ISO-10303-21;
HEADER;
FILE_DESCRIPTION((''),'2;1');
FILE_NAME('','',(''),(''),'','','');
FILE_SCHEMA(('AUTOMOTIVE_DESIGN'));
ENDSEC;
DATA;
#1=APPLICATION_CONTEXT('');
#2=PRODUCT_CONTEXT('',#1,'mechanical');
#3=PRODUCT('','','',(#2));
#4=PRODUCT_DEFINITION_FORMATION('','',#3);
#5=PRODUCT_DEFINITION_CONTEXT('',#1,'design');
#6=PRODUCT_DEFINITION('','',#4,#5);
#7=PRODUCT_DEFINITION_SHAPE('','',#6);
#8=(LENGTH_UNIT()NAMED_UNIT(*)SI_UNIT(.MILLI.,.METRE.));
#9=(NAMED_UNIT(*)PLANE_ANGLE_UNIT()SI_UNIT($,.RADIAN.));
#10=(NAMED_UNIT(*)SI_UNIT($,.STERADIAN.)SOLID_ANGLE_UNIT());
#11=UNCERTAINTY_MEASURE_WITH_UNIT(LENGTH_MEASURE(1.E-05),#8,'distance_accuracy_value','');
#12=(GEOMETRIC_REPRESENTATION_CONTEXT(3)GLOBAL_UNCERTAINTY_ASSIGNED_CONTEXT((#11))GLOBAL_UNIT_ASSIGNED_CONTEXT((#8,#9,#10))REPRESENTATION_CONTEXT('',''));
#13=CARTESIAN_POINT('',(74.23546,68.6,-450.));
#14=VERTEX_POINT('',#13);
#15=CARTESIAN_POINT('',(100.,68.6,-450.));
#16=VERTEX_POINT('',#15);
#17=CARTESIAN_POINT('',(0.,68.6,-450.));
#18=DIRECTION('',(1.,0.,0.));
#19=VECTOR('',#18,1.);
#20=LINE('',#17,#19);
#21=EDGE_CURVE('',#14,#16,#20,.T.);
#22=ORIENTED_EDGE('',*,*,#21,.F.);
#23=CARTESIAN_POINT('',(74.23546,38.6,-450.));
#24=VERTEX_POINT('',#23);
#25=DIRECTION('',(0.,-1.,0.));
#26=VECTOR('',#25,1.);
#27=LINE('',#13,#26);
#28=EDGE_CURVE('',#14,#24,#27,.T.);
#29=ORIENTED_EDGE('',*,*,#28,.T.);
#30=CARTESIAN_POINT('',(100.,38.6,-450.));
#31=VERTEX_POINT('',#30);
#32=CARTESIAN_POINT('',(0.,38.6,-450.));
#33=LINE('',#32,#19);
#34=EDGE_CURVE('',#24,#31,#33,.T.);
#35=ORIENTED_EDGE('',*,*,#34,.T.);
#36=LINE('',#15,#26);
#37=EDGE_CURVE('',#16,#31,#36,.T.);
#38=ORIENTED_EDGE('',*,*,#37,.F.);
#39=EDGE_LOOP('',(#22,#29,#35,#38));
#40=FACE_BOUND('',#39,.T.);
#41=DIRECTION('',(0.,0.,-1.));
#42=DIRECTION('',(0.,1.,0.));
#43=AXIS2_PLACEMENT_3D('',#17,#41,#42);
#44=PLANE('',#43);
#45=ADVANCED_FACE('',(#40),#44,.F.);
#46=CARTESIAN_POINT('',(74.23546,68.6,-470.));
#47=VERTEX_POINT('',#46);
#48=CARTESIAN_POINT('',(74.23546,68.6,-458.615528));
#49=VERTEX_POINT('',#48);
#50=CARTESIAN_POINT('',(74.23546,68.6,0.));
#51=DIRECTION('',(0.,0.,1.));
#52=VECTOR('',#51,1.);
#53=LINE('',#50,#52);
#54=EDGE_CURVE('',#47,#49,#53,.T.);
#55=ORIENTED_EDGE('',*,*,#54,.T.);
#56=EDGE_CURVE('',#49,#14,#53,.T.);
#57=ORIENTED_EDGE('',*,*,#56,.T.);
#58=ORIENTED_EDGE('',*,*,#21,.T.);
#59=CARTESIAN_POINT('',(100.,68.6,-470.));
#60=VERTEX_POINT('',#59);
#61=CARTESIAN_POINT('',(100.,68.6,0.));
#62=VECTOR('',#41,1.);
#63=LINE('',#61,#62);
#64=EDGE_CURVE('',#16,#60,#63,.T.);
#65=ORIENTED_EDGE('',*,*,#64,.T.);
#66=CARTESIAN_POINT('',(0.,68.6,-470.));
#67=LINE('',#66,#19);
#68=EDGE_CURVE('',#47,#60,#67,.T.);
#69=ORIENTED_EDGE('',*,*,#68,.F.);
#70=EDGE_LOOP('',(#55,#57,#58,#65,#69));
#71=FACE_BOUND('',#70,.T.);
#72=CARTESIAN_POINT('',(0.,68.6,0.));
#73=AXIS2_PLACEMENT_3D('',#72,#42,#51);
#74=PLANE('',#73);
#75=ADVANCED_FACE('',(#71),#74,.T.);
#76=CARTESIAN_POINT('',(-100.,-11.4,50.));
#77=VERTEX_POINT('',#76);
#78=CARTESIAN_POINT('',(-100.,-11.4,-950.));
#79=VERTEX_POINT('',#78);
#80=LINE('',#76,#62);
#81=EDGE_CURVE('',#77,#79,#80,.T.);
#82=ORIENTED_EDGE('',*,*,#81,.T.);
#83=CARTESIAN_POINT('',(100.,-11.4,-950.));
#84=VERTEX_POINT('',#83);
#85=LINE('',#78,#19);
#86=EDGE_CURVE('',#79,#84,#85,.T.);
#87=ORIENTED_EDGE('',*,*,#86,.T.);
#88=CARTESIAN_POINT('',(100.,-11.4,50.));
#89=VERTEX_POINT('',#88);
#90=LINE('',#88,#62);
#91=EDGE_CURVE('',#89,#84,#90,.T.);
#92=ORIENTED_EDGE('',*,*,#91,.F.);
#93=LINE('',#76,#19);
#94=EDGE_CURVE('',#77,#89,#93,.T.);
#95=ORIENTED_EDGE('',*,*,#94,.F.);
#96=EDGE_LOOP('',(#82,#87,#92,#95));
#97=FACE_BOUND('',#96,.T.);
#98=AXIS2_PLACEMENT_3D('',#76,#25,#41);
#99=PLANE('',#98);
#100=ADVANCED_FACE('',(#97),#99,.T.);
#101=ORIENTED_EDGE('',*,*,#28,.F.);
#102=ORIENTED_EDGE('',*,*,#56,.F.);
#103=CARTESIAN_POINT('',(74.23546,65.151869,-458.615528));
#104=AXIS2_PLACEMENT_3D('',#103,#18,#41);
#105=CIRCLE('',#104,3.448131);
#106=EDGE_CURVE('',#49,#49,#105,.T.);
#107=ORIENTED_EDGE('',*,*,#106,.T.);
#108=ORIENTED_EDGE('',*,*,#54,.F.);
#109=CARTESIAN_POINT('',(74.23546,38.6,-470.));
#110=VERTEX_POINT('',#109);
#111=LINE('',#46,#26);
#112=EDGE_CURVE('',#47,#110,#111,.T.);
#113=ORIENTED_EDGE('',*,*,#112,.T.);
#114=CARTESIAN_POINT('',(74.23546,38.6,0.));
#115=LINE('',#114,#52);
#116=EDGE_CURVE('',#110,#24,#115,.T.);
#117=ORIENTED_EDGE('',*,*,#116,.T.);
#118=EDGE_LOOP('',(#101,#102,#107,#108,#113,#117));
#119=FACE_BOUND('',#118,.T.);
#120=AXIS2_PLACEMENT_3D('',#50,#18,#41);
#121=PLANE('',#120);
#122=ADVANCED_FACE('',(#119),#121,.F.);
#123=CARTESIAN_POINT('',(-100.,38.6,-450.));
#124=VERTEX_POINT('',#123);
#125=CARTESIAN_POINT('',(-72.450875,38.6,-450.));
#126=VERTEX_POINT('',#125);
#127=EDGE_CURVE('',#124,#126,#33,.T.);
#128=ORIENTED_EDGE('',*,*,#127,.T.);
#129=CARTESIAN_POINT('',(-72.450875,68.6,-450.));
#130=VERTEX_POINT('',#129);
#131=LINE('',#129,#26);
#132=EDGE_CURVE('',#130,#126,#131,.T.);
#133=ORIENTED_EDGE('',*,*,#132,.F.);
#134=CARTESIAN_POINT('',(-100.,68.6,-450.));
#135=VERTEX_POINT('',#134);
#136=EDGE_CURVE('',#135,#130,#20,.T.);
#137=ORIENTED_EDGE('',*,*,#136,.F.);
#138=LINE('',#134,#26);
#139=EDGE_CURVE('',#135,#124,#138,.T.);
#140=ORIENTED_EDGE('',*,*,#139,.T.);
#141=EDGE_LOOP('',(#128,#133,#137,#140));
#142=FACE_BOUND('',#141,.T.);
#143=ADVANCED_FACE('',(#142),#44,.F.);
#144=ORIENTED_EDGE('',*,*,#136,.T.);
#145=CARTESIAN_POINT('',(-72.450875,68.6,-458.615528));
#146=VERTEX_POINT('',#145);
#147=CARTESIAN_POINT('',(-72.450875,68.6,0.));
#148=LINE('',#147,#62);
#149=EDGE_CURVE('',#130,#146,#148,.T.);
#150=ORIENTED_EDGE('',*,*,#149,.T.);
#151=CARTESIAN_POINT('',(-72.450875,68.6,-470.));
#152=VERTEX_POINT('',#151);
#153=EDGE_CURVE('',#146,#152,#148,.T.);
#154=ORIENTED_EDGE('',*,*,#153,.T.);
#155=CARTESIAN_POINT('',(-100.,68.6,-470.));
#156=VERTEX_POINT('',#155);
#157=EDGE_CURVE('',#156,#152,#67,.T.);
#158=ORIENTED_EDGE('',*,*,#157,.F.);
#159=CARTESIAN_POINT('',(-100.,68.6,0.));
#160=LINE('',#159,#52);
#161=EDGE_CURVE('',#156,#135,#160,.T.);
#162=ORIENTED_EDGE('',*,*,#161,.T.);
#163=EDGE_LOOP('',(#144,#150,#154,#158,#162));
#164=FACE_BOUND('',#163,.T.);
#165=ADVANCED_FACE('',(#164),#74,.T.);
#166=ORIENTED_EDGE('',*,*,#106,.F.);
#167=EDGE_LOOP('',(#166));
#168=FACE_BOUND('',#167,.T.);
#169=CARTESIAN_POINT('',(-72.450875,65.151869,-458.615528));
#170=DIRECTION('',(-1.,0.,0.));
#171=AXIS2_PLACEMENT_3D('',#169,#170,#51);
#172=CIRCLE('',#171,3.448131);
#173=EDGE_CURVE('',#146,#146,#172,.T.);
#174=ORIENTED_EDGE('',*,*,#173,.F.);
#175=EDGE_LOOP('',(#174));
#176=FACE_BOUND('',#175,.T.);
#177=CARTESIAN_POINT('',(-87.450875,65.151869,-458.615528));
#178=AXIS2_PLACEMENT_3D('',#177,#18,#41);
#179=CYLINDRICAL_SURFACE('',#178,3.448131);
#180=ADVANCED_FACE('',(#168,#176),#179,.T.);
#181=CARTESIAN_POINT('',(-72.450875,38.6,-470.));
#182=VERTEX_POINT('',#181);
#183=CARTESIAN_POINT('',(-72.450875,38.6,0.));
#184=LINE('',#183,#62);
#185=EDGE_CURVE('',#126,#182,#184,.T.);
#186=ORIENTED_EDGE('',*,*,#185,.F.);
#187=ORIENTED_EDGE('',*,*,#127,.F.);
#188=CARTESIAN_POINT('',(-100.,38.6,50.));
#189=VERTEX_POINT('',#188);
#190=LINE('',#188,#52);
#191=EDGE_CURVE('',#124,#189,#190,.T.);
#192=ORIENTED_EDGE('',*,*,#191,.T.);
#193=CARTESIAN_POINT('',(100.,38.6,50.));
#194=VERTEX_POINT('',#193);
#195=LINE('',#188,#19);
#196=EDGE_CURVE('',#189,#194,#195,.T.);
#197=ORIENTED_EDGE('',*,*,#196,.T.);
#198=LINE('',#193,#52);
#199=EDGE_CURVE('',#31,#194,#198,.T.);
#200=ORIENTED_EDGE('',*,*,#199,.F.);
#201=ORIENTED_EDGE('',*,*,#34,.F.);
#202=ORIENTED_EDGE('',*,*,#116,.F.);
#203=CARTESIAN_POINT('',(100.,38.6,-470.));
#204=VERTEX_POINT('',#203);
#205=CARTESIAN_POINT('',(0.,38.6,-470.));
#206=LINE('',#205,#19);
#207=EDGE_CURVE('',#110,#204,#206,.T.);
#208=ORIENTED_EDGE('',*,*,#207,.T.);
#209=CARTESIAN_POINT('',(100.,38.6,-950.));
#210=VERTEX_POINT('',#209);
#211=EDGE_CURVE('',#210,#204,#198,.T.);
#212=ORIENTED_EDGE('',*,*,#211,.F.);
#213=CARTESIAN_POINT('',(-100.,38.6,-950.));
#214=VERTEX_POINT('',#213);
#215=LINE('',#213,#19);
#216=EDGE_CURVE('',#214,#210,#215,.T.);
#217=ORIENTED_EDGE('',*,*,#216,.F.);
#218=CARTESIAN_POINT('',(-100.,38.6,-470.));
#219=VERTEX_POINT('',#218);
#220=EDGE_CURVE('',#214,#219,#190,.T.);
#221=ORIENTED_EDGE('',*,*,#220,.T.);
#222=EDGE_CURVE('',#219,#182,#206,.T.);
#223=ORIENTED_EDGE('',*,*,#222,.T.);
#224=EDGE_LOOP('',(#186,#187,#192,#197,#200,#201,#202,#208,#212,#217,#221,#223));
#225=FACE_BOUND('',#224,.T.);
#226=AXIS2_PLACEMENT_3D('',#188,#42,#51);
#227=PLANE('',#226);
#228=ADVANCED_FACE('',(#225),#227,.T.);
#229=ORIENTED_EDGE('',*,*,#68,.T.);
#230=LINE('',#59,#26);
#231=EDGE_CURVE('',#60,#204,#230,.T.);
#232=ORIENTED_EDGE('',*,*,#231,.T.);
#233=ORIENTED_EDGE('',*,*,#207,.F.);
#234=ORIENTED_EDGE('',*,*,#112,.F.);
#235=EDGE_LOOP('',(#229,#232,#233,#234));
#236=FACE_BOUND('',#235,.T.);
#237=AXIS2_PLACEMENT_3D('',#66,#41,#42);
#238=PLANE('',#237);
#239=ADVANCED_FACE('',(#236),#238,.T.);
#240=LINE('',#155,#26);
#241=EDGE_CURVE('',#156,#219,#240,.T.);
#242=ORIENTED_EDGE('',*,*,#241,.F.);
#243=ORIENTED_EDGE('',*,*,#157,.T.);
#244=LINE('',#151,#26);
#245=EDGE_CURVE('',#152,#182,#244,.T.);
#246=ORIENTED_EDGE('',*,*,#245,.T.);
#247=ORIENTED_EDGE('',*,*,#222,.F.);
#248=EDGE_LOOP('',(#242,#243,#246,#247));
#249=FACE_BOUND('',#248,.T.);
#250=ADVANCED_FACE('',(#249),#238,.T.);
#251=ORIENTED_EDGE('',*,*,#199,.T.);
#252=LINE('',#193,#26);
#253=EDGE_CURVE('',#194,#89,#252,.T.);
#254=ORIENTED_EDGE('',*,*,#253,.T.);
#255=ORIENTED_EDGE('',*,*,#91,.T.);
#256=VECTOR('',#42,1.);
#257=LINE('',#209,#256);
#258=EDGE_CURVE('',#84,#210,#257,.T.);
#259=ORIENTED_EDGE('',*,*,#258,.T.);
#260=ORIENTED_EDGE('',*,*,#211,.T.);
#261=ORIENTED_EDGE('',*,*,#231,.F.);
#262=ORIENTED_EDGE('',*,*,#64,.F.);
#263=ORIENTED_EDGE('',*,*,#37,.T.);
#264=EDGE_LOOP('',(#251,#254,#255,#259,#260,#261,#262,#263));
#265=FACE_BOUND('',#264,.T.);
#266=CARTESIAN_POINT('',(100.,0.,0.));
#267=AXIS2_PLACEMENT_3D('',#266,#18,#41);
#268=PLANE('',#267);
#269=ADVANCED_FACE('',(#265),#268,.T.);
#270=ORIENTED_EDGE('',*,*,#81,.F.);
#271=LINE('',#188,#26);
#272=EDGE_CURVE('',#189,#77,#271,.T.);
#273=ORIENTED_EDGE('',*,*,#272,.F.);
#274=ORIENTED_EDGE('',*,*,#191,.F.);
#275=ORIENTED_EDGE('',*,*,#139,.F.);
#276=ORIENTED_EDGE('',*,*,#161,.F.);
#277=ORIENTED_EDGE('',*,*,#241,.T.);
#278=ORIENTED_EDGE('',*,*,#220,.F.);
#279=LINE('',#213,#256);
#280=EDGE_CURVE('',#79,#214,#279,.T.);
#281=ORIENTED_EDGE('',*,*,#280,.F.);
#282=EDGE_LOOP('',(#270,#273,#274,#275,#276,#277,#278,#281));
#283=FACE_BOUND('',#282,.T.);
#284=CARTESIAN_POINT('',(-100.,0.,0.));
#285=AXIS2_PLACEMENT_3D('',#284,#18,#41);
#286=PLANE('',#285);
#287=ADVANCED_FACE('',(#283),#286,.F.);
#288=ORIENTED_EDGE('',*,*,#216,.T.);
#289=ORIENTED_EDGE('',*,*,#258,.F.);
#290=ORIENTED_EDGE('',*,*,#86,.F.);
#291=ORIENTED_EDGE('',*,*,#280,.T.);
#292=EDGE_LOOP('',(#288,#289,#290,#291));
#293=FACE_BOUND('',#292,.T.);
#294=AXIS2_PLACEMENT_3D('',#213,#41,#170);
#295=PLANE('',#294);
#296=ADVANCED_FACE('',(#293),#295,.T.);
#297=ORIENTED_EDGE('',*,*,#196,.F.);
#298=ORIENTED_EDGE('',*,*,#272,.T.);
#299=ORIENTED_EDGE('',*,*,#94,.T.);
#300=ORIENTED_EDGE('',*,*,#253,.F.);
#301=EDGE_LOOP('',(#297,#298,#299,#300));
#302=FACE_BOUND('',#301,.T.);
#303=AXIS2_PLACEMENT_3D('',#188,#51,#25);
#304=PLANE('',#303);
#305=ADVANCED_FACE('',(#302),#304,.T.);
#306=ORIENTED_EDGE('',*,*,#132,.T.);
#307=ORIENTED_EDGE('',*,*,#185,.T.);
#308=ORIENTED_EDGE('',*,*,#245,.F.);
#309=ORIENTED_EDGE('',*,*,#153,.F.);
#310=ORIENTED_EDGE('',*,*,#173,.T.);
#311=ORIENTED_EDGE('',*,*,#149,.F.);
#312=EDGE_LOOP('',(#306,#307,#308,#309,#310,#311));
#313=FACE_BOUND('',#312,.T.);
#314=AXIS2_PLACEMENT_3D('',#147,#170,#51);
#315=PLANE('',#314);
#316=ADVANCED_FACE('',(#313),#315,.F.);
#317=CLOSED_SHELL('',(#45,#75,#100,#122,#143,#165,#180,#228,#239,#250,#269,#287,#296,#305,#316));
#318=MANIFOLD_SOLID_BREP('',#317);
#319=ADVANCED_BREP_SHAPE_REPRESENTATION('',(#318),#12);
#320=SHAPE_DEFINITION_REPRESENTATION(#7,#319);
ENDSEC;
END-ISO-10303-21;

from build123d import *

# Parameters (mm, degrees)
BOSS_EXTRU_2_DEPTH      = 100
BOSS_EXTRU_2_DEPTH_BACK = 100
ESQUISSE3_W             = 1000
ESQUISSE3_H             = 50
ESQUISSE4_W             = 27.549124878
ESQUISSE4_H             = 20
ESQUISSE4_W_2           = 25.7645404
BOSS_EXTRU_4_DEPTH      = 30
BOSS_EXTRU_5_DEPTH      = 157
BOSS_EXTRU_5_DEPTH_BACK = 15
ESQUISSE7_R             = 3.448131388


with BuildPart() as part:
    # Esquisse3 → Boss.-Extru.2 (new, two sides: drawn at the far end of the back side and taken through both)
    with BuildSketch(Plane(origin=(0, 0, 0), x_dir=(0, 0, -1), z_dir=(1, 0, 0)).offset(-BOSS_EXTRU_2_DEPTH_BACK)):
        with Locations((450, 13.600000315)):
            Rectangle(ESQUISSE3_W, ESQUISSE3_H)
    extrude(amount=BOSS_EXTRU_2_DEPTH + BOSS_EXTRU_2_DEPTH_BACK)

    # Esquisse4 → Boss.-Extru.4 (add)
    with BuildSketch(Plane(origin=(0, 38.600000315, 0), x_dir=(1, 0, 0), z_dir=(0, 1, 0))):
        with Locations((-86.225437561, 460)):
            Rectangle(ESQUISSE4_W, ESQUISSE4_H)
        with Locations((87.1177298, 460)):
            Rectangle(ESQUISSE4_W_2, ESQUISSE4_H)
    extrude(amount=BOSS_EXTRU_4_DEPTH)

    # Esquisse7 → Boss.-Extru.5 (add, two sides: drawn at the far end of the back side and taken through both)
    with BuildSketch(Plane(origin=(-72.450875122, 0, 0), x_dir=(0, 0, -1), z_dir=(1, 0, 0)).offset(-BOSS_EXTRU_5_DEPTH_BACK)):
        with Locations((458.615528394, 65.151868928)):
            Circle(ESQUISSE7_R)
    extrude(amount=BOSS_EXTRU_5_DEPTH + BOSS_EXTRU_5_DEPTH_BACK)


solid = part.part
